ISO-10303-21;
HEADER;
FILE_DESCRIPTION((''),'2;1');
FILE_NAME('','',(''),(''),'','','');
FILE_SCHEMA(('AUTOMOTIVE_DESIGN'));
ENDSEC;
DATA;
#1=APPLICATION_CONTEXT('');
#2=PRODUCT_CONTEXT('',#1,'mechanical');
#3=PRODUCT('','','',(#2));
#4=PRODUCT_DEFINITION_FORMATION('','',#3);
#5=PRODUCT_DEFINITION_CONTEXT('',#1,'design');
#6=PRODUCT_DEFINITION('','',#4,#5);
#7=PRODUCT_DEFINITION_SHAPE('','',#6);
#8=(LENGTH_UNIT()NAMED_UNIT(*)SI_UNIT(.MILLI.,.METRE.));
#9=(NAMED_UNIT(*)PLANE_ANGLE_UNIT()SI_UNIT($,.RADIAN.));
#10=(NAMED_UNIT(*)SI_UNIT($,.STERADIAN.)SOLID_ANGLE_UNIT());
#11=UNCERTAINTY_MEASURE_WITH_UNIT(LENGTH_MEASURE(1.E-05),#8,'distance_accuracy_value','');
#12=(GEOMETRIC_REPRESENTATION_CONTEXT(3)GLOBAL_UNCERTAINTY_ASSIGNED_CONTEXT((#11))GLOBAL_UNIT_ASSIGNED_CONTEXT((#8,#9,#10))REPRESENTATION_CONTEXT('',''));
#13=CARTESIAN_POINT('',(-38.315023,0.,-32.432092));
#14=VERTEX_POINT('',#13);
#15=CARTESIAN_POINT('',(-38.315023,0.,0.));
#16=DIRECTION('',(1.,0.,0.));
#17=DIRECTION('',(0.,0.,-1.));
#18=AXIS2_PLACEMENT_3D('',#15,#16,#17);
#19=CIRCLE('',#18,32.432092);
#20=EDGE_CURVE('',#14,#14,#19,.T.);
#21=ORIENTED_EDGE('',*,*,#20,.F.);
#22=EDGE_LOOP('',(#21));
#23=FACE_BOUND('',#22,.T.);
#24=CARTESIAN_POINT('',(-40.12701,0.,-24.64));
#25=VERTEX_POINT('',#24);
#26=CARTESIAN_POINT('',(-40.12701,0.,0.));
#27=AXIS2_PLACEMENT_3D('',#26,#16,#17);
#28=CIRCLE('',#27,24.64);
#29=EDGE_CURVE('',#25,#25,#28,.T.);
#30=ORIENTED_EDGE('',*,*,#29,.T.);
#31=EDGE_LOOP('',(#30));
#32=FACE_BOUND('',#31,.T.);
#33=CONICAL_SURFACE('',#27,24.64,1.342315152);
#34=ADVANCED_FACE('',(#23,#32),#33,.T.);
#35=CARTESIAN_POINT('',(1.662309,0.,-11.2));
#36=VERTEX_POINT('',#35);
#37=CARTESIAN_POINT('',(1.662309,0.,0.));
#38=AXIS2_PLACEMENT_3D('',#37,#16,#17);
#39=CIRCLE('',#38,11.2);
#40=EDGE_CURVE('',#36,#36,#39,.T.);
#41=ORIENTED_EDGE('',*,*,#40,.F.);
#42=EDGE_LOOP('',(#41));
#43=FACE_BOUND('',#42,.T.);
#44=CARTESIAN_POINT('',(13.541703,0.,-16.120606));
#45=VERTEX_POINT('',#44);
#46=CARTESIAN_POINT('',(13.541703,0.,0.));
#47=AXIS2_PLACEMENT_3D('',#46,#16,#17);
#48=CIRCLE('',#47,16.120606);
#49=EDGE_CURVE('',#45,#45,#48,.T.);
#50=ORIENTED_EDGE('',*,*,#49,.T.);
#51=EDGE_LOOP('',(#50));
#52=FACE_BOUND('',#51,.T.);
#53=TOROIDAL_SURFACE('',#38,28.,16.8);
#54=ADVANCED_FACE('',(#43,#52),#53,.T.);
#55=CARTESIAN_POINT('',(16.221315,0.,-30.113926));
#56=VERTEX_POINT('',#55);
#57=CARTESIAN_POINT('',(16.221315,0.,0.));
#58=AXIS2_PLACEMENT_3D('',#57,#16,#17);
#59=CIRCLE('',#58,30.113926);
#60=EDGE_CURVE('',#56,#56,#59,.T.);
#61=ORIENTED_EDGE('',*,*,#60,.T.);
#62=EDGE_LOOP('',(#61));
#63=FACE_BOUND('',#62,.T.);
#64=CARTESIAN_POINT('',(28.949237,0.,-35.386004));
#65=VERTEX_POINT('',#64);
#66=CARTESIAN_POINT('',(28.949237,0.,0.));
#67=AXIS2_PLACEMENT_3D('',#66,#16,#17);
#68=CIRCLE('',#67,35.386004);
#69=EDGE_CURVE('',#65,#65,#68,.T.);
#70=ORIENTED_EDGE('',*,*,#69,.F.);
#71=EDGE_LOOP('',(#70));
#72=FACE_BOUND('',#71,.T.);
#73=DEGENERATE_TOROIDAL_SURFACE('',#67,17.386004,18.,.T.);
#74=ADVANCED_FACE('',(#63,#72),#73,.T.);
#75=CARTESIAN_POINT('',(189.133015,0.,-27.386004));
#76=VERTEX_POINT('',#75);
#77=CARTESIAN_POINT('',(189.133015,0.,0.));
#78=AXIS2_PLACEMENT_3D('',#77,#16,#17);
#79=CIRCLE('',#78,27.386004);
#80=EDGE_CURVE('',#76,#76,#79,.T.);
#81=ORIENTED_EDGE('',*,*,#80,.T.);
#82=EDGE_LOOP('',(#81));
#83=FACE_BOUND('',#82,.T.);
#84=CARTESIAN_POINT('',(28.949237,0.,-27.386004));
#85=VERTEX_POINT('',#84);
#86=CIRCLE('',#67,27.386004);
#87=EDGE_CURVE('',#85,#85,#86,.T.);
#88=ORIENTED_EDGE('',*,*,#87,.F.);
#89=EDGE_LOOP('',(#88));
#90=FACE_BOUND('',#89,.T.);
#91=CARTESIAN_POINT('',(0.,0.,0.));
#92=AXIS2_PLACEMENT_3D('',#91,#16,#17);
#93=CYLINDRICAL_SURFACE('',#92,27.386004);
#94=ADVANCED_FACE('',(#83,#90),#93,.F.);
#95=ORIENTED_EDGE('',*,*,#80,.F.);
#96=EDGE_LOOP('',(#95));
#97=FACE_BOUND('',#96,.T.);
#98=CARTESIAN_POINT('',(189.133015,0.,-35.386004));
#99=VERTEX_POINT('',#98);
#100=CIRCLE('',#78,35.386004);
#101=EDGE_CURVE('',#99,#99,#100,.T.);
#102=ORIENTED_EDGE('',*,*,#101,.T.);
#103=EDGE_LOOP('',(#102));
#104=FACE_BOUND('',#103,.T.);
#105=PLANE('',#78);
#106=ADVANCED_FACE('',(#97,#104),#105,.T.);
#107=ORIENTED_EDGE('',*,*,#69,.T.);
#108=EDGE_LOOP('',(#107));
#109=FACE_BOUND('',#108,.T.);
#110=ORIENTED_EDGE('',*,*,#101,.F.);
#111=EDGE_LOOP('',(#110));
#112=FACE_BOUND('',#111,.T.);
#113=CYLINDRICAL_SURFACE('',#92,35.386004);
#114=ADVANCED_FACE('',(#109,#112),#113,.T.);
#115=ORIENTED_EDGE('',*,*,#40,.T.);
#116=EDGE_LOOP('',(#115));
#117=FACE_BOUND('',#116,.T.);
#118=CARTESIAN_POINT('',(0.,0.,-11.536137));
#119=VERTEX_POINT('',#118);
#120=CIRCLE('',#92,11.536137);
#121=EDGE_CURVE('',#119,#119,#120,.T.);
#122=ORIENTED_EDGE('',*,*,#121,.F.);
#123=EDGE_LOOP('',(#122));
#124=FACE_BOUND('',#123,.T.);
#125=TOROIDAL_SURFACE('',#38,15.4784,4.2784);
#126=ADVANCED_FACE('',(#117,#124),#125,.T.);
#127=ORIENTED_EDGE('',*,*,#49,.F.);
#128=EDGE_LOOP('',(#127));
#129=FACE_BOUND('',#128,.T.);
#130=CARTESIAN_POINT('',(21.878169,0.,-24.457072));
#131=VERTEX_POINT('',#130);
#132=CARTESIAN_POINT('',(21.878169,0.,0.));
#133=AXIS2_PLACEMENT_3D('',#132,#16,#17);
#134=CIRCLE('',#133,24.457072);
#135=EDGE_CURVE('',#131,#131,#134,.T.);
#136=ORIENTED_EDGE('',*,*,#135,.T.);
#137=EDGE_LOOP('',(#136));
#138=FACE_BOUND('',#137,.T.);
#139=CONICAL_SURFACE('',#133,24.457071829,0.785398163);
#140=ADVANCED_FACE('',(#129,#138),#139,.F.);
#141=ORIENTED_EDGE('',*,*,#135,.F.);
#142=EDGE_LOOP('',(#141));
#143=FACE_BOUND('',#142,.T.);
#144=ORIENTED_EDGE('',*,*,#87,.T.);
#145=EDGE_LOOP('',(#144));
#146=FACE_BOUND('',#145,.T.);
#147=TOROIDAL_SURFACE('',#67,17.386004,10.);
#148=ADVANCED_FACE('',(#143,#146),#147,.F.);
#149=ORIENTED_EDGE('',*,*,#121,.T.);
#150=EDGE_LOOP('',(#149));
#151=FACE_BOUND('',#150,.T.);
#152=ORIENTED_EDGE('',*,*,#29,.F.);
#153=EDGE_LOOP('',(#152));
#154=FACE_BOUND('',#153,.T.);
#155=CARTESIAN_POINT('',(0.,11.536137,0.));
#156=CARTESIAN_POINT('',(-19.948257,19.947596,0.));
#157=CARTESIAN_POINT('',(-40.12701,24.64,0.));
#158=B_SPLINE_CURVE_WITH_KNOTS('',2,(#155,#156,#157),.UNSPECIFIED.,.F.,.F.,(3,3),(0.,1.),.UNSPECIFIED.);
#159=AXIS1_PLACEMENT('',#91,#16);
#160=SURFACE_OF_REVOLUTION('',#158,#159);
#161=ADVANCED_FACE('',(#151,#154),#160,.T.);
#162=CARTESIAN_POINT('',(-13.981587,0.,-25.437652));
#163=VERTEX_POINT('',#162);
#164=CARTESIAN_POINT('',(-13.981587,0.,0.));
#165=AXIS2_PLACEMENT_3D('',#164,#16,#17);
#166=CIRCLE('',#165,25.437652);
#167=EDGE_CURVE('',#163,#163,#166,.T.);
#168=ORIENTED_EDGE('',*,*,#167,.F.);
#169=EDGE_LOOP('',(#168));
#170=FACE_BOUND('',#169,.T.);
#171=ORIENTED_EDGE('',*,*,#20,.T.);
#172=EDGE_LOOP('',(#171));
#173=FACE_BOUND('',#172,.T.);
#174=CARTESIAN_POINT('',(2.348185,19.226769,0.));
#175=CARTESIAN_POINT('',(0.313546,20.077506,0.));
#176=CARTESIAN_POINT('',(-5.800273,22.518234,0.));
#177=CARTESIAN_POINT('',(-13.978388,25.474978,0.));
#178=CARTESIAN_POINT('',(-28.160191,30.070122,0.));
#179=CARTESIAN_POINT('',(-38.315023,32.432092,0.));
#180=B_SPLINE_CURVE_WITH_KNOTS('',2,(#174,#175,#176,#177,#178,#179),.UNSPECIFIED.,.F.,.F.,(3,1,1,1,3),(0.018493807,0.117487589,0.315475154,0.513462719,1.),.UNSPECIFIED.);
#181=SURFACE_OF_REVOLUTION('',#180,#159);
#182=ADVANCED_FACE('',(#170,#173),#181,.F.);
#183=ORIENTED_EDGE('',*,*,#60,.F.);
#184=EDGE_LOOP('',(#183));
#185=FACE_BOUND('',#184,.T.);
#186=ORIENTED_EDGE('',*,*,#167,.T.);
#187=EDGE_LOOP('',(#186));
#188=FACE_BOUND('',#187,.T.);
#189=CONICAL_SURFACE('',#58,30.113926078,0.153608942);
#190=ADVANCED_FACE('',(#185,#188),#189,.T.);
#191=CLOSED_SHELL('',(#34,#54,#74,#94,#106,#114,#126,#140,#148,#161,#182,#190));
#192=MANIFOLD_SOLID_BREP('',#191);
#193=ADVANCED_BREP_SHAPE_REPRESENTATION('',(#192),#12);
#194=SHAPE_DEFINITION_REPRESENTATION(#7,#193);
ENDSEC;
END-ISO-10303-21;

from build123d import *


with BuildPart() as part:
    # Sketch1 → Revolve1 (revolve)
    with BuildSketch(Plane.XY, mode=Mode.PRIVATE) as revolve1_sk:
        with BuildLine():
            Line((28.949236933, 27.386004017), (189.133015331, 27.386004017))
            Line((189.133015331, 27.386004017), (189.133015331, 35.386004017))
            Line((189.133015331, 35.386004017), (28.949236933, 35.386004017))
            ThreePointArc((28.949236933, 35.386004017), (22.060935151, 34.015835602), (16.221314872, 30.113926078))
            Line((16.221314872, 30.113926078), (7.884849119, 21.777460326))
            ThreePointArc((7.884849119, 21.777460326), (5.344435892, 20.007381854), (2.348184674, 19.226769399))
            add(Edge.make_bspline(
                [(2.348184674, 19.226769399), (0.313545637, 20.077506039), (-5.800272609, 22.518234313), (-11.933859149, 24.735791909), (-13.981586934, 25.437652311)],
                knots=[0.018493807, 0.018493807, 0.018493807, 0.117487589, 0.315475154, 0.414468937, 0.414468937, 0.414468937], degree=2))
            add(Edge.make_bspline(
                [(-13.981586934, 25.437652311), (-16.029314719, 26.139512712), (-28.160190772, 30.070121673), (-38.315022829, 32.432092239)],
                knots=[0.414468937, 0.414468937, 0.414468937, 0.513462719, 1, 1, 1], degree=2))
            Line((-38.315022829, 32.432092239), (-40.127010283, 24.64))
            add(Edge.make_bspline(
                [(0, 11.536137468), (-19.948257354, 19.947595697), (-40.127010283, 24.64)],
                knots=[0, 0, 0, 1, 1, 1], degree=2))
            ThreePointArc((0, 11.536137468), (0.81433228, 11.284876268), (1.662309445, 11.2))
            ThreePointArc((1.662309445, 11.2), (8.091391109, 12.478823854), (13.541703369, 16.120606076))
            Line((13.541703369, 16.120606076), (21.878169121, 24.457071829))
            ThreePointArc((21.878169121, 24.457071829), (25.12240261, 26.624799342), (28.949236933, 27.386004017))
        make_face()
        with BuildLine():
            Line((7.884849119, 21.777460326), (16.221314872, 30.113926078))
            Line((16.221314872, 30.113926078), (-13.981586934, 25.437652311))
            add(Edge.make_bspline(
                [(2.348184674, 19.226769399), (0.313545637, 20.077506039), (-5.800272609, 22.518234313), (-11.933859149, 24.735791909), (-13.981586934, 25.437652311)],
                knots=[0.018493807, 0.018493807, 0.018493807, 0.117487589, 0.315475154, 0.414468937, 0.414468937, 0.414468937], degree=2))
            ThreePointArc((2.348184674, 19.226769399), (5.344435892, 20.007381854), (7.884849119, 21.777460326))
        make_face()
    revolve(revolve1_sk.sketch.rotate(Axis((0, 0, 0), (-1, 0, 0)), 90), axis=Axis((0, 0, 0), (-1, 0, 0)))


solid = part.part
